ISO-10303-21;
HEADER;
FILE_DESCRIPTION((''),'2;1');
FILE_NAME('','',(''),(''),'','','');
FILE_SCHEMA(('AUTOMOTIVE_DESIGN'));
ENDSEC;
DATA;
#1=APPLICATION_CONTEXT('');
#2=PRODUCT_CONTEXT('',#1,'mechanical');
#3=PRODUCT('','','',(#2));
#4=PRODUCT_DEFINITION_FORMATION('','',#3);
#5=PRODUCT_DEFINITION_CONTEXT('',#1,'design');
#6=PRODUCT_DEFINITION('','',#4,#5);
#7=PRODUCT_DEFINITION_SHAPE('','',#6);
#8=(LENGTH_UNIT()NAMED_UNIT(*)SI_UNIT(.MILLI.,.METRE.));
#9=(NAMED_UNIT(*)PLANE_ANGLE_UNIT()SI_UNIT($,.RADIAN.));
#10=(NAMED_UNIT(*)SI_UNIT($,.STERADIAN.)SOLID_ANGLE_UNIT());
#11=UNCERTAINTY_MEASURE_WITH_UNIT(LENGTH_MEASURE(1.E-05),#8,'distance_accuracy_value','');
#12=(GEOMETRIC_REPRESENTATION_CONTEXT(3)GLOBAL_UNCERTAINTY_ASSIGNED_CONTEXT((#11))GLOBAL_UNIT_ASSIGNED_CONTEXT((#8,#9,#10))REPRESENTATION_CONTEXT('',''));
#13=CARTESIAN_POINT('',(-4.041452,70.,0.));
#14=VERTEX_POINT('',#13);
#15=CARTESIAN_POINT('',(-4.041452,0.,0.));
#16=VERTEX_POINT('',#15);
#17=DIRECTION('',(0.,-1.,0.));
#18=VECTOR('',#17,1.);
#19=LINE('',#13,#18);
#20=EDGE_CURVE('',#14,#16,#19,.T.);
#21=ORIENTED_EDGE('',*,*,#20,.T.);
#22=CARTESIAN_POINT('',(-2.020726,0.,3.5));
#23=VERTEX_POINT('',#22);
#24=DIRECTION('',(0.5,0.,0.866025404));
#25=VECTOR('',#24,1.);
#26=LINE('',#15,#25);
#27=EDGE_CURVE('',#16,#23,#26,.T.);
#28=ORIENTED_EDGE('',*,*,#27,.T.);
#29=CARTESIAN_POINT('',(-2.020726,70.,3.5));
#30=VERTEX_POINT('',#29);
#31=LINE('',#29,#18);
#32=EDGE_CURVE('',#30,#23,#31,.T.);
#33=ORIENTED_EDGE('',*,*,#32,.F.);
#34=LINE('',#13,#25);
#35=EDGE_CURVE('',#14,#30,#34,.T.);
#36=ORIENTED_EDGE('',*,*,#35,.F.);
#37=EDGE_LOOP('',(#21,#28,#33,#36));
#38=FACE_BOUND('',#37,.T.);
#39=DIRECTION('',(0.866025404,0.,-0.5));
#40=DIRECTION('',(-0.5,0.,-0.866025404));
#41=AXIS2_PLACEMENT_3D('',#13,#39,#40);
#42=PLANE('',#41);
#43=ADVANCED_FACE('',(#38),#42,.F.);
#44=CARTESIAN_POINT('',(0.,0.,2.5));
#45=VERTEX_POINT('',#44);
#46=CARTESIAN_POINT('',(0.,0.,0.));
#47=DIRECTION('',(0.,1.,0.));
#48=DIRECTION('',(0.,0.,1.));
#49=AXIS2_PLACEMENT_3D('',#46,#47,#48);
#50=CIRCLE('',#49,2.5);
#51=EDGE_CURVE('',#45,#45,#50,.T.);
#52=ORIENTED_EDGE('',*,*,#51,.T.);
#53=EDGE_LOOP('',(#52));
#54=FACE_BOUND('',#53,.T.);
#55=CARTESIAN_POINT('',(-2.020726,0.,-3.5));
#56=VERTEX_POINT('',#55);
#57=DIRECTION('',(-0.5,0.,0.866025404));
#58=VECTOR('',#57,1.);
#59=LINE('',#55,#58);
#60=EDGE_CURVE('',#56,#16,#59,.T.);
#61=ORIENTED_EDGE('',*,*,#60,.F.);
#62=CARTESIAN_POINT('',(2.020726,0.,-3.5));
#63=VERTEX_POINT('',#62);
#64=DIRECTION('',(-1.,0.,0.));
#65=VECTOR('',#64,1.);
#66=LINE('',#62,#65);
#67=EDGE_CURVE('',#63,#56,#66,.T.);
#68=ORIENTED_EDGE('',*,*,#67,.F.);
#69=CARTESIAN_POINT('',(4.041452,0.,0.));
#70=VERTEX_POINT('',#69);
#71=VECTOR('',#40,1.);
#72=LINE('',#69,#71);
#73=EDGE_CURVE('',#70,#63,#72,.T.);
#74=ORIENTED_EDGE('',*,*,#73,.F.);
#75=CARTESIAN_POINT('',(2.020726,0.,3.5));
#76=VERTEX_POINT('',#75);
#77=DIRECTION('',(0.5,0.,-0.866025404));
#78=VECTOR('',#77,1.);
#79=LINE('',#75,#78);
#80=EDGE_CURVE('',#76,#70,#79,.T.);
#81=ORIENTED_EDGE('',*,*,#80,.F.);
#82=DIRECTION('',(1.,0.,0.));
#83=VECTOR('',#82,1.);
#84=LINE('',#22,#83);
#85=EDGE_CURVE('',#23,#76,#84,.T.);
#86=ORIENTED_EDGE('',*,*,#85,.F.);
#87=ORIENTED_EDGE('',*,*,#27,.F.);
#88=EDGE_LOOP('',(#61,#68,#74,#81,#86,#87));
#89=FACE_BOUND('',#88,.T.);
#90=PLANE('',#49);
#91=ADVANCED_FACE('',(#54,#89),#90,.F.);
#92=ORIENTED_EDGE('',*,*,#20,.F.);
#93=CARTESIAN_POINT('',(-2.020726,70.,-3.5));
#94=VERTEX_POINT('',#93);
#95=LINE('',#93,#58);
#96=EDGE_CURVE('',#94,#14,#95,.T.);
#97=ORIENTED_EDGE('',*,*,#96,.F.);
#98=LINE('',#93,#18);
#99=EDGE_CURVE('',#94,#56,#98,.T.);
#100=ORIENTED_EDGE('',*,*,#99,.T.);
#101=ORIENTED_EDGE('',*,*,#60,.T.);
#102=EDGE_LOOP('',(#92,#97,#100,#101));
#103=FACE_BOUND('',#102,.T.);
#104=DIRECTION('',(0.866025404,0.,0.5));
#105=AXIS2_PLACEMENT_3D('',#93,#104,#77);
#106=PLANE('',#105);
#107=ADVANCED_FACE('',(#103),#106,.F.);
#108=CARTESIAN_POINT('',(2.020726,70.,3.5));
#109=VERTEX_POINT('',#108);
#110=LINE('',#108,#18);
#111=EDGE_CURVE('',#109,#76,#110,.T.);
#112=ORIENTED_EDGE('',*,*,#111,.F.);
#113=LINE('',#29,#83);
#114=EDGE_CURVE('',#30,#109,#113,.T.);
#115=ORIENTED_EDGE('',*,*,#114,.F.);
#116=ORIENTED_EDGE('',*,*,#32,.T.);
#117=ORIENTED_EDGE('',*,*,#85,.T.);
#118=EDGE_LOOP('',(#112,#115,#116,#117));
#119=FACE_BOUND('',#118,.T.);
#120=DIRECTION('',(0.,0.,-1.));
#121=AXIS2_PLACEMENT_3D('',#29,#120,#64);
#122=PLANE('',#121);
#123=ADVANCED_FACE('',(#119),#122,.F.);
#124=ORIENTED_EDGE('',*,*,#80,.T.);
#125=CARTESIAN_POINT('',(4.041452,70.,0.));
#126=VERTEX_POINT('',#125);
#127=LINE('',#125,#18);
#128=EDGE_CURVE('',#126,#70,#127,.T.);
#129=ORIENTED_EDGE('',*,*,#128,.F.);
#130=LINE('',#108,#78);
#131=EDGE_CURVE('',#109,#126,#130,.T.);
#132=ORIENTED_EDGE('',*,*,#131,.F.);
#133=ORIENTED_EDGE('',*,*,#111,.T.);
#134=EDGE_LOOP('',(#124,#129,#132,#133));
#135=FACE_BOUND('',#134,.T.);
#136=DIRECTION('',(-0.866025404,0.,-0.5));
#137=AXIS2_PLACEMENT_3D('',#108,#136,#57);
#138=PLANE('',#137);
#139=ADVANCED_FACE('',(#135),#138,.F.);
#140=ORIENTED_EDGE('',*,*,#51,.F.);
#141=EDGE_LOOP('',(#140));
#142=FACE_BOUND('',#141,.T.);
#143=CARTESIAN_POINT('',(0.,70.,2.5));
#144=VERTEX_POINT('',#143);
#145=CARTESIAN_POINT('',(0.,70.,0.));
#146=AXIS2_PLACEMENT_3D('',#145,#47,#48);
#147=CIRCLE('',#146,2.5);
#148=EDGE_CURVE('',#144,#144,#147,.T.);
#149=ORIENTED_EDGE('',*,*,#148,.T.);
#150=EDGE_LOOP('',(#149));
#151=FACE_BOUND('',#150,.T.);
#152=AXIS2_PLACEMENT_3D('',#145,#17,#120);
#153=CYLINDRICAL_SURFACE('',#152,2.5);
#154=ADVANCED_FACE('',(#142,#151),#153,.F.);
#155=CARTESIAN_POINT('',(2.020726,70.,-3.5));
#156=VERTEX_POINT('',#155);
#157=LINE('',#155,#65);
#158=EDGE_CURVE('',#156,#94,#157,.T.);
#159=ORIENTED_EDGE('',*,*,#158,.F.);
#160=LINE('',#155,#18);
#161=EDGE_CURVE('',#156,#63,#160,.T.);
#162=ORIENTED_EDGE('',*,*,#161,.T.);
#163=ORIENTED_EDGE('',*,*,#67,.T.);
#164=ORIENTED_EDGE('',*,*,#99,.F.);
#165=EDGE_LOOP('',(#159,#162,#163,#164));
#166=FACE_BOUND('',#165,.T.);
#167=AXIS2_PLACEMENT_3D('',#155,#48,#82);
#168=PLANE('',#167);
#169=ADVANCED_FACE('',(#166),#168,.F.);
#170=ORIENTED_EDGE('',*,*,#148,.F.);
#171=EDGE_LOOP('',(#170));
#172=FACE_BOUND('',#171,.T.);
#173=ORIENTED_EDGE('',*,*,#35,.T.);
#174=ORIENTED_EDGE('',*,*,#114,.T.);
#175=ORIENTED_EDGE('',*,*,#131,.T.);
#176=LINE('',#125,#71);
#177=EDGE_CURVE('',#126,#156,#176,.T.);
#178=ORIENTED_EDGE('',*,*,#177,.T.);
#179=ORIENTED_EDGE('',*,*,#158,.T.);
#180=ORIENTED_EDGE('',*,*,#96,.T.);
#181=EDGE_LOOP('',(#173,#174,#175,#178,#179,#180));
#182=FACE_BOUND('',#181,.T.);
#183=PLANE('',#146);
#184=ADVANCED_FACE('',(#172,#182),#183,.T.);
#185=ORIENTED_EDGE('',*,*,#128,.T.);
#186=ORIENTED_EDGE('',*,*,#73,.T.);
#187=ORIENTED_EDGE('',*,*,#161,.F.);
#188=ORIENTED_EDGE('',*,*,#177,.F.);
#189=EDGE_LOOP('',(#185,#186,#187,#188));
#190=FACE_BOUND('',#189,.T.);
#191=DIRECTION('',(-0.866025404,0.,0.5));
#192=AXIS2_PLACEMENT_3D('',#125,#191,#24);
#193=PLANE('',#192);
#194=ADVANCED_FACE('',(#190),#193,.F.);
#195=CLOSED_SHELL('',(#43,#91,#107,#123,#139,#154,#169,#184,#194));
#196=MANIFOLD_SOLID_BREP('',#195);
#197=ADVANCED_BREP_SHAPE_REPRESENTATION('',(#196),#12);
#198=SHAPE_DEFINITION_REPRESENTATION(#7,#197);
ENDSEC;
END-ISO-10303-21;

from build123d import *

# Parameters (mm, degrees)
SKETCH_1_R      = 2.5
EXTRUDE_1_DEPTH = 70


with BuildPart() as part:
    # 草图1 → 凸台-拉伸1 (new body)
    with BuildSketch(Plane(origin=(0, 0, 0), x_dir=(1, 0, 0), z_dir=(0, 1, 0))):
        Polygon((2.020725942, -3.5), (4.041451884, 0), (2.020725942, 3.5), (-2.020725942, 3.5), (-4.041451884, 0), (-2.020725942, -3.5), align=None)
        with Locations(Location((0, 0, 0), (0, 0, 270))):
            Circle(SKETCH_1_R, mode=Mode.SUBTRACT)
    extrude(amount=EXTRUDE_1_DEPTH)


solid = part.part
